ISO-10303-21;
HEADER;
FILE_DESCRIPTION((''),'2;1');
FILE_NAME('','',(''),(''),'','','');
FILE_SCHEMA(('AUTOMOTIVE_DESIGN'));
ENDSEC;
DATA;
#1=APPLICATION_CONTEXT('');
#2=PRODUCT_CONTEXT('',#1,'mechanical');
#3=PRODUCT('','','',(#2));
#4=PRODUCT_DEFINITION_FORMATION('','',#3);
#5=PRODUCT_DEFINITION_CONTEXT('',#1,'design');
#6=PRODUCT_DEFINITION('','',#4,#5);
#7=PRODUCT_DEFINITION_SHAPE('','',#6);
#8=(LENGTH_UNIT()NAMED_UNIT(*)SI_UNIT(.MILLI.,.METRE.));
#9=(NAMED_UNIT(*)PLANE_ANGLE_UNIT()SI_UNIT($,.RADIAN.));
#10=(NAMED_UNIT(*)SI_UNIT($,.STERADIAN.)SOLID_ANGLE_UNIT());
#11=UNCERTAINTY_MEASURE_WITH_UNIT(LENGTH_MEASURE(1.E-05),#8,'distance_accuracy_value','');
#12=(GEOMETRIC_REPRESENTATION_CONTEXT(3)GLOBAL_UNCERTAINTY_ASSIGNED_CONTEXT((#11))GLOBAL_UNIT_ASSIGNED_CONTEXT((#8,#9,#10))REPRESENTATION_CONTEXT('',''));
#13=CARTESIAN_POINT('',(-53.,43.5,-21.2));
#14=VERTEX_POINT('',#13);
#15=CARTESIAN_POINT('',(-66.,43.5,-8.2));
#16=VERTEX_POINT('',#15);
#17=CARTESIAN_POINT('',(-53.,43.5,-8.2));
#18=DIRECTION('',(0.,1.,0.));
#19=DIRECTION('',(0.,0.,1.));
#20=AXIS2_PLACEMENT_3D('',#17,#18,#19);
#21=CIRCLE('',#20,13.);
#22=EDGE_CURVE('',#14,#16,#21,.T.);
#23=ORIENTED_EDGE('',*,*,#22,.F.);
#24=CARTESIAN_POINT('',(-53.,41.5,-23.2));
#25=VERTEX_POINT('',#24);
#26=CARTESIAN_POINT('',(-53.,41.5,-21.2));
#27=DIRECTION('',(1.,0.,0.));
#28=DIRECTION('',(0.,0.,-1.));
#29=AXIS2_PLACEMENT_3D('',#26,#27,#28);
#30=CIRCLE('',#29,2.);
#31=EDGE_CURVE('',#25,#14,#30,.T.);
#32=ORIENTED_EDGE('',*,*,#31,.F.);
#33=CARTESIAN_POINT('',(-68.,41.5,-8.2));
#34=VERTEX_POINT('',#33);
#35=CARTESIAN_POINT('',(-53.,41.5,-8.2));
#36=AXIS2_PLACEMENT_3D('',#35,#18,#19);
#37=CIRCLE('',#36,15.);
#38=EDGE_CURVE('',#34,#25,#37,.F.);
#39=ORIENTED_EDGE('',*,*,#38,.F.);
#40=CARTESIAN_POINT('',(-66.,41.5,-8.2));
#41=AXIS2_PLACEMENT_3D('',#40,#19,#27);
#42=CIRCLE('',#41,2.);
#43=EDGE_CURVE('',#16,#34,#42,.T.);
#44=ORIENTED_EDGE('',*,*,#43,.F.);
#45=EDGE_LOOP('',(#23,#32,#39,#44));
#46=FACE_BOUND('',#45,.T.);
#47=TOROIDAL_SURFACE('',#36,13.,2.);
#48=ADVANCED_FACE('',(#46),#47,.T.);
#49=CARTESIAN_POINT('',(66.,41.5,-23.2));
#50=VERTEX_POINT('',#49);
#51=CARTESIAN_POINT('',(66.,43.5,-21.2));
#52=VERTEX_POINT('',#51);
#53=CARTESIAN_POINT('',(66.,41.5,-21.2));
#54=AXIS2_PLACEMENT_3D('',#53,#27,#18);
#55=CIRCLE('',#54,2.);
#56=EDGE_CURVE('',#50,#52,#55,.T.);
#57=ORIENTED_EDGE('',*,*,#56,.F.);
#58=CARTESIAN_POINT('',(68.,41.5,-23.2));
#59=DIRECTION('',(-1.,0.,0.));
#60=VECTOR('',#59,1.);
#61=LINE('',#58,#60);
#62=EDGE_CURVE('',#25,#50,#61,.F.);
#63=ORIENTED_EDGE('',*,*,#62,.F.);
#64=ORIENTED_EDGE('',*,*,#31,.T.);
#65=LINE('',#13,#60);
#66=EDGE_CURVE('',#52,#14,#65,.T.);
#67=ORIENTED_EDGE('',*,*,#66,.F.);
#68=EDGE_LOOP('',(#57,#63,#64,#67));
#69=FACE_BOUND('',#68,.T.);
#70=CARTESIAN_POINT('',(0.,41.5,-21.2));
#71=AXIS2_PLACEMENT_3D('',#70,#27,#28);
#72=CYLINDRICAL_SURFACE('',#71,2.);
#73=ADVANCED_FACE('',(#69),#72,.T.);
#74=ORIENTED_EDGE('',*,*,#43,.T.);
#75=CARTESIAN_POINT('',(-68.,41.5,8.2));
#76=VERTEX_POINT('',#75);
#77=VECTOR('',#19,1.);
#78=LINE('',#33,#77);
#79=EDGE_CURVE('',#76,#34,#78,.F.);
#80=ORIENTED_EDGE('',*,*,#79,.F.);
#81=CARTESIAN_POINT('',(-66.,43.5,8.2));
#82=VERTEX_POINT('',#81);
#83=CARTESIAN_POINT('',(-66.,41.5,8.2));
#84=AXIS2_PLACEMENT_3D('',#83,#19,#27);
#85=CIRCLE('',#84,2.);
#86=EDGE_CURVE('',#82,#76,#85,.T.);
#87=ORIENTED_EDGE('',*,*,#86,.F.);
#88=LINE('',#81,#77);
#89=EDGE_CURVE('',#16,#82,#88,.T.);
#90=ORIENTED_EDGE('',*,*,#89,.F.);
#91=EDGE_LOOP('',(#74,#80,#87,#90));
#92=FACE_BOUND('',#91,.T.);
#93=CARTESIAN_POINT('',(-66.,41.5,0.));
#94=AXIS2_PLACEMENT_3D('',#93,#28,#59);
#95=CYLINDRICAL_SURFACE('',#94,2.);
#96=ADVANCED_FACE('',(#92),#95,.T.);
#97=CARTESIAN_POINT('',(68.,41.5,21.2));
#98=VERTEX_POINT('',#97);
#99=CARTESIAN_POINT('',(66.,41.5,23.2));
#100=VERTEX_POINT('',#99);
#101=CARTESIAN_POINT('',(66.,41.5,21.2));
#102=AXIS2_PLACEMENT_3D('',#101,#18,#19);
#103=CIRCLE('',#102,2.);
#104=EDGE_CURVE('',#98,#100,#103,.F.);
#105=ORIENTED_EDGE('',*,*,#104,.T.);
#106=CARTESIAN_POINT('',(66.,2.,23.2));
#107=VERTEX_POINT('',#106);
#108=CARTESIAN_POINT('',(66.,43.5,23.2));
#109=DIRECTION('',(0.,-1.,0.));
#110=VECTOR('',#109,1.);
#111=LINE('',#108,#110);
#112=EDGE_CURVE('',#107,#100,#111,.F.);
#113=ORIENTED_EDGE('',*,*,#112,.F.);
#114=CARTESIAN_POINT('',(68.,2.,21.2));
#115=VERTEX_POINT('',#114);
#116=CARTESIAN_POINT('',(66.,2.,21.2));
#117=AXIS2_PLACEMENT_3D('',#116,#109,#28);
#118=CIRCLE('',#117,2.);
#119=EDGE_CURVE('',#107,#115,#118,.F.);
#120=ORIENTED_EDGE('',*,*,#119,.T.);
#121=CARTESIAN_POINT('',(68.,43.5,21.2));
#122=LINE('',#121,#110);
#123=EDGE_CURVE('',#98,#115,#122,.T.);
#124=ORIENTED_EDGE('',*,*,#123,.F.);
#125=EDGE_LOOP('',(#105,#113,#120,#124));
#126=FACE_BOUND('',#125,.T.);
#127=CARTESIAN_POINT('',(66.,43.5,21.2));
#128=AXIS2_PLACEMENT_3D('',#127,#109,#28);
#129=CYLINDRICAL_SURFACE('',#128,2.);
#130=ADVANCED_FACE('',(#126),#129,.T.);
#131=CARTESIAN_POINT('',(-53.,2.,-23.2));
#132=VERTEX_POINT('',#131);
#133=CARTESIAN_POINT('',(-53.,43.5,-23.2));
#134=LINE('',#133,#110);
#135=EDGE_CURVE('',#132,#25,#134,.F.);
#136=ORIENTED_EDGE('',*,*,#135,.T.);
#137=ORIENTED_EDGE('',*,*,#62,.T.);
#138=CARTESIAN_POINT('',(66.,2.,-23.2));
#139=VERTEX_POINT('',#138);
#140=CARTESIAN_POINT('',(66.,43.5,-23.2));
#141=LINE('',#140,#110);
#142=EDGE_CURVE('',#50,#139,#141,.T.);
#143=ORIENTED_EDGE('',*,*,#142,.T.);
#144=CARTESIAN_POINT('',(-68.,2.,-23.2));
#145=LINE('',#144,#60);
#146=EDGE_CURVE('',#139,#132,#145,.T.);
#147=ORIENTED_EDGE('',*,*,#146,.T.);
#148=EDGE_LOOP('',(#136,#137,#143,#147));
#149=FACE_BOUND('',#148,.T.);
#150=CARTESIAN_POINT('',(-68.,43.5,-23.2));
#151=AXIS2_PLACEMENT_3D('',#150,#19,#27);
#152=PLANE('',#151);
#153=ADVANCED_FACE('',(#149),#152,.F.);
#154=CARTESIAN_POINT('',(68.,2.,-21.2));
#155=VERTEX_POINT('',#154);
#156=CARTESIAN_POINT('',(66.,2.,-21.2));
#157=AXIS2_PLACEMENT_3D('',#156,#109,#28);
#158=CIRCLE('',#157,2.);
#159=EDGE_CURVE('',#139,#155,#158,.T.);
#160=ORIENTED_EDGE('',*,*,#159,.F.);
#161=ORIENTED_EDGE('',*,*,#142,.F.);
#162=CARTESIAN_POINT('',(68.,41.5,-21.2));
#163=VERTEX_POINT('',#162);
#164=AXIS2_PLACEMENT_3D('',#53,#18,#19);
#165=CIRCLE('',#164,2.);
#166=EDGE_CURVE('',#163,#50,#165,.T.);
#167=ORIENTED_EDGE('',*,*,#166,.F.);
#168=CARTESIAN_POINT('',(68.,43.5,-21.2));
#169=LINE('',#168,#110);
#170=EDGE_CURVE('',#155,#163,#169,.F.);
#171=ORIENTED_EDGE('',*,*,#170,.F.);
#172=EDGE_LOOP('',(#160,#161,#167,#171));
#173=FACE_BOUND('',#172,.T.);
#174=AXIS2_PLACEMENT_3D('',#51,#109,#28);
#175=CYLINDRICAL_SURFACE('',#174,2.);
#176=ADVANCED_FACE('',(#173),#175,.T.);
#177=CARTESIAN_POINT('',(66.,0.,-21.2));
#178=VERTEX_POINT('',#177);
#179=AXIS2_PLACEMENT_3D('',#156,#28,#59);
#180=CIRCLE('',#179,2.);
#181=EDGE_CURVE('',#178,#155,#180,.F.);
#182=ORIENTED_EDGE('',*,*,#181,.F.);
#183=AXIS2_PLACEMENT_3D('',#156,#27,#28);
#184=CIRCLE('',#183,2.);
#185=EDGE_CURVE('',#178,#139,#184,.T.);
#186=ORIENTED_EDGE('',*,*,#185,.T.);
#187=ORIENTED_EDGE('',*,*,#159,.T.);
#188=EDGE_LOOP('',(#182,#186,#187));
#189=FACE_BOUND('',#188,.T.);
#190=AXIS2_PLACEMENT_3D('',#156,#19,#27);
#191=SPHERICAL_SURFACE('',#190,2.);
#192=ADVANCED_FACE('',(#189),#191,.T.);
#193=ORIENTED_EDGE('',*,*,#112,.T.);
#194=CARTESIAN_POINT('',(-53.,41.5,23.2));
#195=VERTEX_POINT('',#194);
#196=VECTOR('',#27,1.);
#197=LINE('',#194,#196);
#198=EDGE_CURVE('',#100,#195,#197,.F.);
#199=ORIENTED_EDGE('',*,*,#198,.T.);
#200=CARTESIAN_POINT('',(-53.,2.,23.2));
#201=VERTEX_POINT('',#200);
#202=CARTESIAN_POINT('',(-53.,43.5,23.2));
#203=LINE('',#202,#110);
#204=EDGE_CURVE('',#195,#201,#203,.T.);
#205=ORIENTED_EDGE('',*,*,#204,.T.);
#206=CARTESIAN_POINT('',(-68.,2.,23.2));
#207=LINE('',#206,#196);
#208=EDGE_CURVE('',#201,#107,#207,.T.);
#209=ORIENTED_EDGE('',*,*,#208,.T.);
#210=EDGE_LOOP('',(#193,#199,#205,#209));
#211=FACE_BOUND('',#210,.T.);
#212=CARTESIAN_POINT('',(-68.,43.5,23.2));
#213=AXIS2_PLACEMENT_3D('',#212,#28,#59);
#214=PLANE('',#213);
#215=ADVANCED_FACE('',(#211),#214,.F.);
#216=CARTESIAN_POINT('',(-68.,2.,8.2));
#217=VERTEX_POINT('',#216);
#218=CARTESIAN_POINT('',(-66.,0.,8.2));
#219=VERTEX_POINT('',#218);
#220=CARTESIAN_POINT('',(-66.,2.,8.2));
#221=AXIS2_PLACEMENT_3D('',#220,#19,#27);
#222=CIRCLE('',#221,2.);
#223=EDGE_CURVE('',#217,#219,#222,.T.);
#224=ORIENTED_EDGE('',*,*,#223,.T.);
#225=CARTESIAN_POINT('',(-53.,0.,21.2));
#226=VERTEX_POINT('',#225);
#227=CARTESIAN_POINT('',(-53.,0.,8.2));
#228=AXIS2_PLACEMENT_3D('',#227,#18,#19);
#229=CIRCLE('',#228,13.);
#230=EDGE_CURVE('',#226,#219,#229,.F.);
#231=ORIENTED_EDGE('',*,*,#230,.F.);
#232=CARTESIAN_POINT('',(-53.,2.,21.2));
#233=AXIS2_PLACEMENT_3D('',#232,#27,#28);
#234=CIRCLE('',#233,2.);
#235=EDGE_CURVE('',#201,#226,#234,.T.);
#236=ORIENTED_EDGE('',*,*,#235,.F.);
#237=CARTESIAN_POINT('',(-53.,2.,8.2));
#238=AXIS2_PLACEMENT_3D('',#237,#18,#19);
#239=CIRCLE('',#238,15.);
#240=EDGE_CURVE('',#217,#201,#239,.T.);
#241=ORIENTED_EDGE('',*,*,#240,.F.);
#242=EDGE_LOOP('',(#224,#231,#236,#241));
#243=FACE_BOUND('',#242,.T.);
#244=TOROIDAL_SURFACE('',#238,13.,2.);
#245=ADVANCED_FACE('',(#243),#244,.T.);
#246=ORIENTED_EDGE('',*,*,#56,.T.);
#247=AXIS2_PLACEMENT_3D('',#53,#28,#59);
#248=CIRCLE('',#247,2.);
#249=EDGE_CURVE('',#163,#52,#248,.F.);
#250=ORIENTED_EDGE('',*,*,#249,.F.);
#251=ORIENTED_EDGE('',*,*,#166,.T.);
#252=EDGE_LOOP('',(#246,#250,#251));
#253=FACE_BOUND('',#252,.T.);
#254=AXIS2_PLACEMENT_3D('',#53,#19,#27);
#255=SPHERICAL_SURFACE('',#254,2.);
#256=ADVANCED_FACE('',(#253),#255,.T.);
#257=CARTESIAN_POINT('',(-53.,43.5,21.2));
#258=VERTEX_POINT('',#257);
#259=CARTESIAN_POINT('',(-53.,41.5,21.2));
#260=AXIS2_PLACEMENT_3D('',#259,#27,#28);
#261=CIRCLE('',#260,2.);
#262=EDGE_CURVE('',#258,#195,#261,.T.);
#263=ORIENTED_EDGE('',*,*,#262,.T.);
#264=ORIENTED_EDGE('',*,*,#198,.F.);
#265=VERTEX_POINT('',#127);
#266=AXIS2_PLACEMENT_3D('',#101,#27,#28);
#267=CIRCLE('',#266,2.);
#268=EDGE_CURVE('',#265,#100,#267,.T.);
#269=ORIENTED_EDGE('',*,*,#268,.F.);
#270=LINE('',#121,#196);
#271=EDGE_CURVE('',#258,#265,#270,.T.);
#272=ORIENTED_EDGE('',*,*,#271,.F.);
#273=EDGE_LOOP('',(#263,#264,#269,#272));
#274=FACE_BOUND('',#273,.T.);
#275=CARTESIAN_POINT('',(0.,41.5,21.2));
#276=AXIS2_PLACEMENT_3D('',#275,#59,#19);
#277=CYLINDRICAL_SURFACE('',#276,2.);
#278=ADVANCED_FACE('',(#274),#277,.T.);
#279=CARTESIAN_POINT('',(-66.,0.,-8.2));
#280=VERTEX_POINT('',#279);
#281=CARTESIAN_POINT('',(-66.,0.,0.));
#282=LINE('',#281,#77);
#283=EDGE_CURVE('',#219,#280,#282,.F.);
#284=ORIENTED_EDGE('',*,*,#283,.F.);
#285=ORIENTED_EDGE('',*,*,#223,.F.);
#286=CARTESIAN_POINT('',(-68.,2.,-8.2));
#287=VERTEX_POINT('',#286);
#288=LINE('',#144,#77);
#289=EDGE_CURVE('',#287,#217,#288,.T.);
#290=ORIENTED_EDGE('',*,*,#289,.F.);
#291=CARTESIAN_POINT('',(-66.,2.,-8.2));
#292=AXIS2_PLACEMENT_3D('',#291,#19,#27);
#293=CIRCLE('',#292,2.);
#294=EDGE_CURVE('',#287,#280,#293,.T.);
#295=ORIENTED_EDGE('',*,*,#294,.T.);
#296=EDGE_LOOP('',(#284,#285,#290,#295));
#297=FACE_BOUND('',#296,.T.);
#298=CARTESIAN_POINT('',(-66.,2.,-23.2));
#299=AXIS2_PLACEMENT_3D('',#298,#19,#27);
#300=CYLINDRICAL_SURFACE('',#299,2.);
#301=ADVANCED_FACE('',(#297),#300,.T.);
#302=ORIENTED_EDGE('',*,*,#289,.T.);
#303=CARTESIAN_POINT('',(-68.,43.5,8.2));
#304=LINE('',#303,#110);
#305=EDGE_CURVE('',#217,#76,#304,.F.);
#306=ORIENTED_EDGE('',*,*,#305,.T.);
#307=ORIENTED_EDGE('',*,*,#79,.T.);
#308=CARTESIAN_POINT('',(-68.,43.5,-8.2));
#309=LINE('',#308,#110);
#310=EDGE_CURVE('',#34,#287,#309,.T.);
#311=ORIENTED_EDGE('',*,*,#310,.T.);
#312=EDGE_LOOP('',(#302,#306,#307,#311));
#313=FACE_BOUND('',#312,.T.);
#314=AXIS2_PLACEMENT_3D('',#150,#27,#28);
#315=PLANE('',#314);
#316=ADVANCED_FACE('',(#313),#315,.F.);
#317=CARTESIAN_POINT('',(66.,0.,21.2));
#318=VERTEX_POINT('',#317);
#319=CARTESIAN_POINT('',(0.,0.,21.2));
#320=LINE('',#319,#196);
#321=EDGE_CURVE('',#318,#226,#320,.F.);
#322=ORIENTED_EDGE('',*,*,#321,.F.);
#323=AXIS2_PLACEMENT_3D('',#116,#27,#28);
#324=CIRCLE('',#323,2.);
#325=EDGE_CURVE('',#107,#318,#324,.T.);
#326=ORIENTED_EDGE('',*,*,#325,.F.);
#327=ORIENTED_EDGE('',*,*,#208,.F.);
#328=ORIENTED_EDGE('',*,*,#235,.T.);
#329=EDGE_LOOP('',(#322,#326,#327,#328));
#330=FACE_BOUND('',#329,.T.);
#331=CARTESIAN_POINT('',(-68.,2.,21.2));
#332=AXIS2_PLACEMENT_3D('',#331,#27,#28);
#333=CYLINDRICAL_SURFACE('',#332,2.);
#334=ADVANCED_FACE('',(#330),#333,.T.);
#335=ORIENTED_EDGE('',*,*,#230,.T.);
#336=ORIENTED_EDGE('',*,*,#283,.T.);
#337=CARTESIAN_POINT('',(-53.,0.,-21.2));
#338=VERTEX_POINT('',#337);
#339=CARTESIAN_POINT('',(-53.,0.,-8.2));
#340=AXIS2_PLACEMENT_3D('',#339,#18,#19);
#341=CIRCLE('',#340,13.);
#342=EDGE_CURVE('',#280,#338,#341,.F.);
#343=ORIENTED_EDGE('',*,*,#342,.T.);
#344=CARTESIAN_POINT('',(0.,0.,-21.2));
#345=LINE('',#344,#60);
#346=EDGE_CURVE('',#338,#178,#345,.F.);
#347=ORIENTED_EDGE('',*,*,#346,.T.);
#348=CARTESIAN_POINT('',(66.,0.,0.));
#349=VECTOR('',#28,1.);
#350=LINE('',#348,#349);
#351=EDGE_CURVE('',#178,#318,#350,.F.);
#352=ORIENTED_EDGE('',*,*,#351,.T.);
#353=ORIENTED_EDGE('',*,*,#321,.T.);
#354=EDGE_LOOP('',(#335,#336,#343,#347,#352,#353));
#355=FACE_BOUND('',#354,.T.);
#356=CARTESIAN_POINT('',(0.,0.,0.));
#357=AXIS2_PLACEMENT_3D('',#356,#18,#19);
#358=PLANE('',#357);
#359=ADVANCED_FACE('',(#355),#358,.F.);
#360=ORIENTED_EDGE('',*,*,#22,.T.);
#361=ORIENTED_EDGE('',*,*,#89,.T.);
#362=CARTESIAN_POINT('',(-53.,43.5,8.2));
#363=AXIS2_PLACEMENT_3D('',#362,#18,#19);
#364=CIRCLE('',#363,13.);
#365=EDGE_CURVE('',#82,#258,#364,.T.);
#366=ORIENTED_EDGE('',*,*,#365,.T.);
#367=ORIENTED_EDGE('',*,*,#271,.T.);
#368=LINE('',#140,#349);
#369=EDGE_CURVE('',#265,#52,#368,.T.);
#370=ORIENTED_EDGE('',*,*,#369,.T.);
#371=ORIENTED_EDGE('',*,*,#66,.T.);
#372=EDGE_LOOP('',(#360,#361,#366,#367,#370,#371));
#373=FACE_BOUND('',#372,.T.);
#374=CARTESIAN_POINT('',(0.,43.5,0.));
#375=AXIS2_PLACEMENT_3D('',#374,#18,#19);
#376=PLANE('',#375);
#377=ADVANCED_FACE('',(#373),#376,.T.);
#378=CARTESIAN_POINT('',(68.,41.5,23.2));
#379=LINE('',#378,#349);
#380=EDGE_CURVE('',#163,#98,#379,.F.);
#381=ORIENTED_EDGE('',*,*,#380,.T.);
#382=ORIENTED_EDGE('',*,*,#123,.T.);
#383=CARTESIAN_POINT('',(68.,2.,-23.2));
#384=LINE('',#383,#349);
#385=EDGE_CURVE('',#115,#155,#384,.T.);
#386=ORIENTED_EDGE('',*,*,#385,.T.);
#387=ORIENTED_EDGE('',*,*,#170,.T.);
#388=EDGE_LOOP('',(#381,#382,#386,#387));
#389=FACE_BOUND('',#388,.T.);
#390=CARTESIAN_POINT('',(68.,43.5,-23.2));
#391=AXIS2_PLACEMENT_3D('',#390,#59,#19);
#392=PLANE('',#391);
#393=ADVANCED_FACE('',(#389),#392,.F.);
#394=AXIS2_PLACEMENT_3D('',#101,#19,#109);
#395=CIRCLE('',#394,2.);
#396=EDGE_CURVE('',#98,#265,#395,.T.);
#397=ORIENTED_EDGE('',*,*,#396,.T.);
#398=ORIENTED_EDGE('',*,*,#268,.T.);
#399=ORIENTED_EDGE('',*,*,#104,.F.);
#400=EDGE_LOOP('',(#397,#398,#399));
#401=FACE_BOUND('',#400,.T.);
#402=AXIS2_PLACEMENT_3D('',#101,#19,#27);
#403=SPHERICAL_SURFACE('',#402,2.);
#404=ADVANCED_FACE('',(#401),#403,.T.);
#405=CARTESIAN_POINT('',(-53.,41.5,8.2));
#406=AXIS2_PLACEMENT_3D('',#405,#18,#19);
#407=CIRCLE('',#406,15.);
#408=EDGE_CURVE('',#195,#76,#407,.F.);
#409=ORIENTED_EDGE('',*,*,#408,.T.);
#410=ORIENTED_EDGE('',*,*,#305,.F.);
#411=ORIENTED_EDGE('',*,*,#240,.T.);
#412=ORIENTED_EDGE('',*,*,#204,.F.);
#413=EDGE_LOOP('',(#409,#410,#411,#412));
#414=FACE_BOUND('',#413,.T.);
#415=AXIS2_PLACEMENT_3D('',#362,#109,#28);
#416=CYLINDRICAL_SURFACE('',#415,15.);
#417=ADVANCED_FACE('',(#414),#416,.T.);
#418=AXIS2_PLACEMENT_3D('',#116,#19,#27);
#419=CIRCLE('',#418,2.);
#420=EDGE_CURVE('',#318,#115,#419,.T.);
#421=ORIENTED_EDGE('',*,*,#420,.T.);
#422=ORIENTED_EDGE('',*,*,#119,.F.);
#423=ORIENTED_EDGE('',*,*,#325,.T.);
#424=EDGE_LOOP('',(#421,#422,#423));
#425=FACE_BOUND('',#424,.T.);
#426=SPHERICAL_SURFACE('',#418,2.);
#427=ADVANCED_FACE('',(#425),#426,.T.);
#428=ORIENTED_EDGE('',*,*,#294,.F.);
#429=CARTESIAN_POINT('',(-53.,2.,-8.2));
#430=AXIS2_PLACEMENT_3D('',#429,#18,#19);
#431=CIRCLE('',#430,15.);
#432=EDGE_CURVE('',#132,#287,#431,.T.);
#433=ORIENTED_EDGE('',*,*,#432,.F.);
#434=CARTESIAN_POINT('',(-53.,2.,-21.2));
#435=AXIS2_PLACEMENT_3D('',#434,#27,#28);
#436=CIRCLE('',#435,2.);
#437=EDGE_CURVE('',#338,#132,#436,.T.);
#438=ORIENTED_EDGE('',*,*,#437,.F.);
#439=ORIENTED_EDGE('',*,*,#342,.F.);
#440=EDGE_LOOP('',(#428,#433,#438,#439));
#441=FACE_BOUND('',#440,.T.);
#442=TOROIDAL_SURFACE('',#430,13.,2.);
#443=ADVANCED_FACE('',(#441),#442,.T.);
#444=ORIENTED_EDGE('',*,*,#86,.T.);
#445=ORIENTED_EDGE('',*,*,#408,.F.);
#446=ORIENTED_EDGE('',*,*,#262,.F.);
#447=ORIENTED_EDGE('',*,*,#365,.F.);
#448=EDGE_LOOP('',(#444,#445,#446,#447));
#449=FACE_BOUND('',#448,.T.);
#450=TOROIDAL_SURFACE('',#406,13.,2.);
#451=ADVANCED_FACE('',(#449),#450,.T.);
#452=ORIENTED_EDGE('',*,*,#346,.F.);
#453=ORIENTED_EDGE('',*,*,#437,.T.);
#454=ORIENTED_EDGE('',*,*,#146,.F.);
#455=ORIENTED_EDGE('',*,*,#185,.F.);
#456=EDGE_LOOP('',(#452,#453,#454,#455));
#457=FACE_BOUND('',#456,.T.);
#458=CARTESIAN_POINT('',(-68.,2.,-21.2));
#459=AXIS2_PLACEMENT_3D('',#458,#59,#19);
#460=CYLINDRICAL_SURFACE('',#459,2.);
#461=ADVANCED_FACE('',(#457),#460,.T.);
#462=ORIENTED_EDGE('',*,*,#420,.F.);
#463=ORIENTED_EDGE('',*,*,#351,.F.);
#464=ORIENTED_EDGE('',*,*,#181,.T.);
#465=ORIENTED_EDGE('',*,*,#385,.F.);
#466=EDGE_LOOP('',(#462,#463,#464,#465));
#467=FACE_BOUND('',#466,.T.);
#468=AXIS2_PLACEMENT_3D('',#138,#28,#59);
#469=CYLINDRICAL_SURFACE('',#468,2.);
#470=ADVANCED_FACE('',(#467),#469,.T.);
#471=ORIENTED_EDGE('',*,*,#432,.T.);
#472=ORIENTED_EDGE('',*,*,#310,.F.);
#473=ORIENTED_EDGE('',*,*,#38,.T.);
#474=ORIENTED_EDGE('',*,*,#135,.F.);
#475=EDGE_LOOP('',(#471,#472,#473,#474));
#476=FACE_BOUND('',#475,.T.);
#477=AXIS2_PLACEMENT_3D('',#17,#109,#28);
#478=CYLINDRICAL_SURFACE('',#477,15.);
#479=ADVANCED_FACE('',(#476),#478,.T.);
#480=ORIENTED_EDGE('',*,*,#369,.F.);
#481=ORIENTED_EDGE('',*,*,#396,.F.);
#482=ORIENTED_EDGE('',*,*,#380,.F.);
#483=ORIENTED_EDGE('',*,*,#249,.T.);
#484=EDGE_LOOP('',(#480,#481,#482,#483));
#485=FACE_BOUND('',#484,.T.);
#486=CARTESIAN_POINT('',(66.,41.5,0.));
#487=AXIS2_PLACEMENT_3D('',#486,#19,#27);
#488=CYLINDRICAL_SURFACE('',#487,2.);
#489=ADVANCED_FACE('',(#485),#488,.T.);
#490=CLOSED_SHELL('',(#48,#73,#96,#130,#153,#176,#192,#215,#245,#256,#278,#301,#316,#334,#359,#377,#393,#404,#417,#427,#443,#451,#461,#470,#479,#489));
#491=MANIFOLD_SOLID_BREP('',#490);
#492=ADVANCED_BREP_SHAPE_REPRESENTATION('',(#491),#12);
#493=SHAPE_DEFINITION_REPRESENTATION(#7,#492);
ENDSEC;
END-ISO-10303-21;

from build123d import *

# Parameters (mm, degrees)
SKETCH1_W           = 136
SKETCH1_H           = 46.4
BOSS_EXTRUDE1_DEPTH = 43.5
FILLET1_R           = 15
FILLET2_R           = 2


with BuildPart() as part:
    # Sketch1 → Boss-Extrude1 (new body)
    with BuildSketch(Plane(origin=(0, 0, 0), x_dir=(1, 0, 0), z_dir=(0, 1, 0))):
        Rectangle(SKETCH1_W, SKETCH1_H)
    extrude(amount=BOSS_EXTRUDE1_DEPTH)

    # Fillet1
    fillet1_edges = [part.edges().sort_by_distance(p)[0] for p in [
        (-68, 21.75, 23.2),
        (-68, 21.75, -23.2),
    ]]
    fillet(fillet1_edges, radius=FILLET1_R)

    # Fillet2
    fillet2_edges = [part.edges().sort_by_distance(p)[0] for p in [
        (-68, 0, 0),
        (-68, 43.5, 0),
        (7.5, 0, 23.2),
        (-63.606601718, 0, 18.806601718),
        (-63.606601718, 0, -18.806601718),
        (7.5, 43.5, 23.2),
        (-63.606601718, 43.5, 18.806601718),
        (-63.606601718, 43.5, -18.806601718),
        (68, 43.5, 0),
        (7.5, 0, -23.2),
        (68, 0, 0),
        (7.5, 43.5, -23.2),
        (68, 21.75, 23.2),
        (68, 21.75, -23.2),
    ]]
    fillet(fillet2_edges, radius=FILLET2_R)


solid = part.part
